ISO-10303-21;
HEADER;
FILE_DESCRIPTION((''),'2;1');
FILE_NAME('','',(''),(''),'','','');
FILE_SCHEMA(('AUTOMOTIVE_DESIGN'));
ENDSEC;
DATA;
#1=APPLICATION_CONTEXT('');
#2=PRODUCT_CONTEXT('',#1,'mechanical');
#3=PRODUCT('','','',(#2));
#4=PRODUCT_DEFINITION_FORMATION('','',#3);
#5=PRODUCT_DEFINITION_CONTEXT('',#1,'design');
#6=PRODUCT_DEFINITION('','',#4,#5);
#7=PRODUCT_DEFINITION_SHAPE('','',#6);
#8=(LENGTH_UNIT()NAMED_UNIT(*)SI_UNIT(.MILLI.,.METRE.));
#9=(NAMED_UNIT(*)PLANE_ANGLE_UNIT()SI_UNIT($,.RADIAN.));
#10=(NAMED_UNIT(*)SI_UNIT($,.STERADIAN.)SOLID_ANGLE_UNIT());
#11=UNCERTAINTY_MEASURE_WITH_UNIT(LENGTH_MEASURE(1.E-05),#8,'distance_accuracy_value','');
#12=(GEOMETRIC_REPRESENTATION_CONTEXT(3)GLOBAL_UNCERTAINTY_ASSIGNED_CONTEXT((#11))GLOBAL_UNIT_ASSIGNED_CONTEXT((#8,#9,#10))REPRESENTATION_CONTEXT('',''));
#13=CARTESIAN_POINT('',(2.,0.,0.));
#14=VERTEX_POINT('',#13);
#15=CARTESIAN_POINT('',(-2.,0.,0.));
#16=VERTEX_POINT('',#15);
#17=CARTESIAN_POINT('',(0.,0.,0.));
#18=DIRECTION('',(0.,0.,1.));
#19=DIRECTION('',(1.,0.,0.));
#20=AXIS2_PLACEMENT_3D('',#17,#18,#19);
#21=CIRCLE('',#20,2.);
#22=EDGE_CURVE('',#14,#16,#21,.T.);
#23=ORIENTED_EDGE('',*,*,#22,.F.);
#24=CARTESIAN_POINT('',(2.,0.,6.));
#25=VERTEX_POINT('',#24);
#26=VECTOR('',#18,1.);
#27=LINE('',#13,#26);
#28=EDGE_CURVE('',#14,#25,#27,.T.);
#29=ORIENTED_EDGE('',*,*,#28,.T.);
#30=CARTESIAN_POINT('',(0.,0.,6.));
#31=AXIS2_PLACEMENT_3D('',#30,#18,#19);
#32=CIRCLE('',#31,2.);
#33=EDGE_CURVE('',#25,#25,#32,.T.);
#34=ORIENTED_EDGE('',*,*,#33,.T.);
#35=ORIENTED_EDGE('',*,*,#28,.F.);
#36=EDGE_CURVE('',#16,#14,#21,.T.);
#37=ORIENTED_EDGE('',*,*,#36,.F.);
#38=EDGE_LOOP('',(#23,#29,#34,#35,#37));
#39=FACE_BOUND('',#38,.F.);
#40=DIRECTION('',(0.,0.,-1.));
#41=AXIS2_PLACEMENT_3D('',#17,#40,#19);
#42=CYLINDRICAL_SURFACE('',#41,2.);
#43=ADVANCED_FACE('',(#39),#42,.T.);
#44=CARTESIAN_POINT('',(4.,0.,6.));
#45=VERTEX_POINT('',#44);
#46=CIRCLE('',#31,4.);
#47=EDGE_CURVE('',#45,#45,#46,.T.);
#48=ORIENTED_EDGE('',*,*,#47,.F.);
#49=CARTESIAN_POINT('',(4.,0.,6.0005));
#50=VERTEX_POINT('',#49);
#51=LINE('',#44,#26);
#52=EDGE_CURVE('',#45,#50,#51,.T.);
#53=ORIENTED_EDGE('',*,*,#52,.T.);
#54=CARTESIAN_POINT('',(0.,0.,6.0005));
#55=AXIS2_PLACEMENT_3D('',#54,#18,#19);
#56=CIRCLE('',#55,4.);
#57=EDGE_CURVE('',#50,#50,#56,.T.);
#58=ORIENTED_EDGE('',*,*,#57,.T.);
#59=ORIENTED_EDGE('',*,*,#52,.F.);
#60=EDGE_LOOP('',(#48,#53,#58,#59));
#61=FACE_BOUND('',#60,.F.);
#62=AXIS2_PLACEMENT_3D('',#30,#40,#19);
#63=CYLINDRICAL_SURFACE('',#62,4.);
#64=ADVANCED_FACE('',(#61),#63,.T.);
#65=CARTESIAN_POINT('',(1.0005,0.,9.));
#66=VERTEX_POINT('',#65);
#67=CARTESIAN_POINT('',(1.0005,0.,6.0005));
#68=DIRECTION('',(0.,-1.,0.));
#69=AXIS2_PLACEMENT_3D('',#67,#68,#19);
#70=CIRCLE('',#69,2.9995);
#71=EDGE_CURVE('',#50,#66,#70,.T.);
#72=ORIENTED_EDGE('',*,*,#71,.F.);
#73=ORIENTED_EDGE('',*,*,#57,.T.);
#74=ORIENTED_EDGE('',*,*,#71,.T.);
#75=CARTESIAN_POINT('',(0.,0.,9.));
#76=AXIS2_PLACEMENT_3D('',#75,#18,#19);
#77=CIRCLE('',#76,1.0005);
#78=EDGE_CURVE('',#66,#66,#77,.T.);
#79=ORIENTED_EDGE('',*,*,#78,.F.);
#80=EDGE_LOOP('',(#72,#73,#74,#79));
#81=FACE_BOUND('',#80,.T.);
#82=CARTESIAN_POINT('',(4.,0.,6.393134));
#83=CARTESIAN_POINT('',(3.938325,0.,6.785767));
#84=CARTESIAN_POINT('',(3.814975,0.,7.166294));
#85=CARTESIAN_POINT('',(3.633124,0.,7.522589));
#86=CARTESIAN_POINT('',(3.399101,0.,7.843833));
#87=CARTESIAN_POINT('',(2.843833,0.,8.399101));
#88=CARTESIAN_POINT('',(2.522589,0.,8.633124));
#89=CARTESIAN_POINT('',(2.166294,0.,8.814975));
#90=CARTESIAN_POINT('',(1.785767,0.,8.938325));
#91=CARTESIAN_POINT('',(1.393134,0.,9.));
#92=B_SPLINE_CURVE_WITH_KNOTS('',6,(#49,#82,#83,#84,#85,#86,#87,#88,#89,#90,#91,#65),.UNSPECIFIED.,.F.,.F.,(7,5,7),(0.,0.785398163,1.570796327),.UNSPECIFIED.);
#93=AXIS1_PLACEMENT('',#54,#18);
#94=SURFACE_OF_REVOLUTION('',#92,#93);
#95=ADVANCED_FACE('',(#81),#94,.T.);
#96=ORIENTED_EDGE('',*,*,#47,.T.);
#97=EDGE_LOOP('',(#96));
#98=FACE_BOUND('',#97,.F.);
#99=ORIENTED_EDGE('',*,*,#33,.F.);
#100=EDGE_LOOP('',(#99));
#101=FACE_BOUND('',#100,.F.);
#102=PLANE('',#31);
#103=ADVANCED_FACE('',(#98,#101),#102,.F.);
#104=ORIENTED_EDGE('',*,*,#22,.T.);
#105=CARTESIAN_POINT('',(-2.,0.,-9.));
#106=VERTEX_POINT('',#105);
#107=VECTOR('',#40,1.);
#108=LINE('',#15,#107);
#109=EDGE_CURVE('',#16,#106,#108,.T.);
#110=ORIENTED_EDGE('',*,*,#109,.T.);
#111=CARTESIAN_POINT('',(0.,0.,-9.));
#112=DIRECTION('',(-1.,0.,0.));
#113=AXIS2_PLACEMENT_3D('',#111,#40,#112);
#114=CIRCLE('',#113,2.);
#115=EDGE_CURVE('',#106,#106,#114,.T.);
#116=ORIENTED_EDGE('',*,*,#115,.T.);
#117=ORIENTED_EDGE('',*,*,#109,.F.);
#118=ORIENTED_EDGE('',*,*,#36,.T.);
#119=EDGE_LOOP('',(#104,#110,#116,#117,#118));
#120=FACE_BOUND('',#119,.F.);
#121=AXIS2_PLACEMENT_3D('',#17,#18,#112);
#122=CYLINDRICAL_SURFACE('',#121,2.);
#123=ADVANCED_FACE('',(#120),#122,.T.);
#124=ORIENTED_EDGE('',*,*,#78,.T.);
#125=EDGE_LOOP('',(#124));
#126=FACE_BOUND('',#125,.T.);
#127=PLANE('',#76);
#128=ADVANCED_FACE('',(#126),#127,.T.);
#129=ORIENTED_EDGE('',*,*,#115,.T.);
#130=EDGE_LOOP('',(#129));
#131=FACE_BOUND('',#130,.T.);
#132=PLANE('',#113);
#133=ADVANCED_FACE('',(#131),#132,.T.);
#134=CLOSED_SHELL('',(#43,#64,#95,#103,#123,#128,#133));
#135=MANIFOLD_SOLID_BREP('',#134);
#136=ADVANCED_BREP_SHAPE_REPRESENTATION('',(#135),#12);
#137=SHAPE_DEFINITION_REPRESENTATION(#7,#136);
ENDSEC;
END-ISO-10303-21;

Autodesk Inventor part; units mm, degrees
ref_plane "YZ Plane" through (0, 0, 0) normal (1, 0, 0) x (0, 1, 0)
ref_plane "XZ Plane" through (0, 0, 0) normal (0, 1, 0) x (-1, 0, 0)
ref_plane "XY Plane" through (0, 0, 0) normal (0, 0, 1) x (1, 0, 0)
sketch "スケッチ1" plane through (0, 0, 0) normal (0, 0, 1) x (1, 0, 0)
  circle A0 centre (0, 0) radius 2
  dimension "d0" = 4
extrude "押し出し1" add sketch "スケッチ1" along normal blind 6
sketch "スケッチ2" plane through (0, 0, 6) normal (0, 0, 1) x (1, 0, 0)
  circle A0 centre (0, 0) radius 2 projected
  circle A1 centre (0, 0) radius 4
  dimension "d3" = 8
extrude "押し出し2" add sketch "スケッチ2" along normal blind 3 contours A0 | A1
fillet "フィレット1" radius 3 1 edges at (-4, 0, 9)
thread "ねじ1" size "M4x0.7" class "6g" standard "ANSI Metric M Profile" full length
sketch "スケッチ3" plane through (0, 0, 0) normal (0, 0, -1) x (-1, 0, 0)
  circle A0 centre (0, 0) radius 2
extrude "押し出し3" add sketch "スケッチ3" along normal blind 9
properties part number "SB　M4 15mm なべネジ" material "Stainless Steel, 440C"
